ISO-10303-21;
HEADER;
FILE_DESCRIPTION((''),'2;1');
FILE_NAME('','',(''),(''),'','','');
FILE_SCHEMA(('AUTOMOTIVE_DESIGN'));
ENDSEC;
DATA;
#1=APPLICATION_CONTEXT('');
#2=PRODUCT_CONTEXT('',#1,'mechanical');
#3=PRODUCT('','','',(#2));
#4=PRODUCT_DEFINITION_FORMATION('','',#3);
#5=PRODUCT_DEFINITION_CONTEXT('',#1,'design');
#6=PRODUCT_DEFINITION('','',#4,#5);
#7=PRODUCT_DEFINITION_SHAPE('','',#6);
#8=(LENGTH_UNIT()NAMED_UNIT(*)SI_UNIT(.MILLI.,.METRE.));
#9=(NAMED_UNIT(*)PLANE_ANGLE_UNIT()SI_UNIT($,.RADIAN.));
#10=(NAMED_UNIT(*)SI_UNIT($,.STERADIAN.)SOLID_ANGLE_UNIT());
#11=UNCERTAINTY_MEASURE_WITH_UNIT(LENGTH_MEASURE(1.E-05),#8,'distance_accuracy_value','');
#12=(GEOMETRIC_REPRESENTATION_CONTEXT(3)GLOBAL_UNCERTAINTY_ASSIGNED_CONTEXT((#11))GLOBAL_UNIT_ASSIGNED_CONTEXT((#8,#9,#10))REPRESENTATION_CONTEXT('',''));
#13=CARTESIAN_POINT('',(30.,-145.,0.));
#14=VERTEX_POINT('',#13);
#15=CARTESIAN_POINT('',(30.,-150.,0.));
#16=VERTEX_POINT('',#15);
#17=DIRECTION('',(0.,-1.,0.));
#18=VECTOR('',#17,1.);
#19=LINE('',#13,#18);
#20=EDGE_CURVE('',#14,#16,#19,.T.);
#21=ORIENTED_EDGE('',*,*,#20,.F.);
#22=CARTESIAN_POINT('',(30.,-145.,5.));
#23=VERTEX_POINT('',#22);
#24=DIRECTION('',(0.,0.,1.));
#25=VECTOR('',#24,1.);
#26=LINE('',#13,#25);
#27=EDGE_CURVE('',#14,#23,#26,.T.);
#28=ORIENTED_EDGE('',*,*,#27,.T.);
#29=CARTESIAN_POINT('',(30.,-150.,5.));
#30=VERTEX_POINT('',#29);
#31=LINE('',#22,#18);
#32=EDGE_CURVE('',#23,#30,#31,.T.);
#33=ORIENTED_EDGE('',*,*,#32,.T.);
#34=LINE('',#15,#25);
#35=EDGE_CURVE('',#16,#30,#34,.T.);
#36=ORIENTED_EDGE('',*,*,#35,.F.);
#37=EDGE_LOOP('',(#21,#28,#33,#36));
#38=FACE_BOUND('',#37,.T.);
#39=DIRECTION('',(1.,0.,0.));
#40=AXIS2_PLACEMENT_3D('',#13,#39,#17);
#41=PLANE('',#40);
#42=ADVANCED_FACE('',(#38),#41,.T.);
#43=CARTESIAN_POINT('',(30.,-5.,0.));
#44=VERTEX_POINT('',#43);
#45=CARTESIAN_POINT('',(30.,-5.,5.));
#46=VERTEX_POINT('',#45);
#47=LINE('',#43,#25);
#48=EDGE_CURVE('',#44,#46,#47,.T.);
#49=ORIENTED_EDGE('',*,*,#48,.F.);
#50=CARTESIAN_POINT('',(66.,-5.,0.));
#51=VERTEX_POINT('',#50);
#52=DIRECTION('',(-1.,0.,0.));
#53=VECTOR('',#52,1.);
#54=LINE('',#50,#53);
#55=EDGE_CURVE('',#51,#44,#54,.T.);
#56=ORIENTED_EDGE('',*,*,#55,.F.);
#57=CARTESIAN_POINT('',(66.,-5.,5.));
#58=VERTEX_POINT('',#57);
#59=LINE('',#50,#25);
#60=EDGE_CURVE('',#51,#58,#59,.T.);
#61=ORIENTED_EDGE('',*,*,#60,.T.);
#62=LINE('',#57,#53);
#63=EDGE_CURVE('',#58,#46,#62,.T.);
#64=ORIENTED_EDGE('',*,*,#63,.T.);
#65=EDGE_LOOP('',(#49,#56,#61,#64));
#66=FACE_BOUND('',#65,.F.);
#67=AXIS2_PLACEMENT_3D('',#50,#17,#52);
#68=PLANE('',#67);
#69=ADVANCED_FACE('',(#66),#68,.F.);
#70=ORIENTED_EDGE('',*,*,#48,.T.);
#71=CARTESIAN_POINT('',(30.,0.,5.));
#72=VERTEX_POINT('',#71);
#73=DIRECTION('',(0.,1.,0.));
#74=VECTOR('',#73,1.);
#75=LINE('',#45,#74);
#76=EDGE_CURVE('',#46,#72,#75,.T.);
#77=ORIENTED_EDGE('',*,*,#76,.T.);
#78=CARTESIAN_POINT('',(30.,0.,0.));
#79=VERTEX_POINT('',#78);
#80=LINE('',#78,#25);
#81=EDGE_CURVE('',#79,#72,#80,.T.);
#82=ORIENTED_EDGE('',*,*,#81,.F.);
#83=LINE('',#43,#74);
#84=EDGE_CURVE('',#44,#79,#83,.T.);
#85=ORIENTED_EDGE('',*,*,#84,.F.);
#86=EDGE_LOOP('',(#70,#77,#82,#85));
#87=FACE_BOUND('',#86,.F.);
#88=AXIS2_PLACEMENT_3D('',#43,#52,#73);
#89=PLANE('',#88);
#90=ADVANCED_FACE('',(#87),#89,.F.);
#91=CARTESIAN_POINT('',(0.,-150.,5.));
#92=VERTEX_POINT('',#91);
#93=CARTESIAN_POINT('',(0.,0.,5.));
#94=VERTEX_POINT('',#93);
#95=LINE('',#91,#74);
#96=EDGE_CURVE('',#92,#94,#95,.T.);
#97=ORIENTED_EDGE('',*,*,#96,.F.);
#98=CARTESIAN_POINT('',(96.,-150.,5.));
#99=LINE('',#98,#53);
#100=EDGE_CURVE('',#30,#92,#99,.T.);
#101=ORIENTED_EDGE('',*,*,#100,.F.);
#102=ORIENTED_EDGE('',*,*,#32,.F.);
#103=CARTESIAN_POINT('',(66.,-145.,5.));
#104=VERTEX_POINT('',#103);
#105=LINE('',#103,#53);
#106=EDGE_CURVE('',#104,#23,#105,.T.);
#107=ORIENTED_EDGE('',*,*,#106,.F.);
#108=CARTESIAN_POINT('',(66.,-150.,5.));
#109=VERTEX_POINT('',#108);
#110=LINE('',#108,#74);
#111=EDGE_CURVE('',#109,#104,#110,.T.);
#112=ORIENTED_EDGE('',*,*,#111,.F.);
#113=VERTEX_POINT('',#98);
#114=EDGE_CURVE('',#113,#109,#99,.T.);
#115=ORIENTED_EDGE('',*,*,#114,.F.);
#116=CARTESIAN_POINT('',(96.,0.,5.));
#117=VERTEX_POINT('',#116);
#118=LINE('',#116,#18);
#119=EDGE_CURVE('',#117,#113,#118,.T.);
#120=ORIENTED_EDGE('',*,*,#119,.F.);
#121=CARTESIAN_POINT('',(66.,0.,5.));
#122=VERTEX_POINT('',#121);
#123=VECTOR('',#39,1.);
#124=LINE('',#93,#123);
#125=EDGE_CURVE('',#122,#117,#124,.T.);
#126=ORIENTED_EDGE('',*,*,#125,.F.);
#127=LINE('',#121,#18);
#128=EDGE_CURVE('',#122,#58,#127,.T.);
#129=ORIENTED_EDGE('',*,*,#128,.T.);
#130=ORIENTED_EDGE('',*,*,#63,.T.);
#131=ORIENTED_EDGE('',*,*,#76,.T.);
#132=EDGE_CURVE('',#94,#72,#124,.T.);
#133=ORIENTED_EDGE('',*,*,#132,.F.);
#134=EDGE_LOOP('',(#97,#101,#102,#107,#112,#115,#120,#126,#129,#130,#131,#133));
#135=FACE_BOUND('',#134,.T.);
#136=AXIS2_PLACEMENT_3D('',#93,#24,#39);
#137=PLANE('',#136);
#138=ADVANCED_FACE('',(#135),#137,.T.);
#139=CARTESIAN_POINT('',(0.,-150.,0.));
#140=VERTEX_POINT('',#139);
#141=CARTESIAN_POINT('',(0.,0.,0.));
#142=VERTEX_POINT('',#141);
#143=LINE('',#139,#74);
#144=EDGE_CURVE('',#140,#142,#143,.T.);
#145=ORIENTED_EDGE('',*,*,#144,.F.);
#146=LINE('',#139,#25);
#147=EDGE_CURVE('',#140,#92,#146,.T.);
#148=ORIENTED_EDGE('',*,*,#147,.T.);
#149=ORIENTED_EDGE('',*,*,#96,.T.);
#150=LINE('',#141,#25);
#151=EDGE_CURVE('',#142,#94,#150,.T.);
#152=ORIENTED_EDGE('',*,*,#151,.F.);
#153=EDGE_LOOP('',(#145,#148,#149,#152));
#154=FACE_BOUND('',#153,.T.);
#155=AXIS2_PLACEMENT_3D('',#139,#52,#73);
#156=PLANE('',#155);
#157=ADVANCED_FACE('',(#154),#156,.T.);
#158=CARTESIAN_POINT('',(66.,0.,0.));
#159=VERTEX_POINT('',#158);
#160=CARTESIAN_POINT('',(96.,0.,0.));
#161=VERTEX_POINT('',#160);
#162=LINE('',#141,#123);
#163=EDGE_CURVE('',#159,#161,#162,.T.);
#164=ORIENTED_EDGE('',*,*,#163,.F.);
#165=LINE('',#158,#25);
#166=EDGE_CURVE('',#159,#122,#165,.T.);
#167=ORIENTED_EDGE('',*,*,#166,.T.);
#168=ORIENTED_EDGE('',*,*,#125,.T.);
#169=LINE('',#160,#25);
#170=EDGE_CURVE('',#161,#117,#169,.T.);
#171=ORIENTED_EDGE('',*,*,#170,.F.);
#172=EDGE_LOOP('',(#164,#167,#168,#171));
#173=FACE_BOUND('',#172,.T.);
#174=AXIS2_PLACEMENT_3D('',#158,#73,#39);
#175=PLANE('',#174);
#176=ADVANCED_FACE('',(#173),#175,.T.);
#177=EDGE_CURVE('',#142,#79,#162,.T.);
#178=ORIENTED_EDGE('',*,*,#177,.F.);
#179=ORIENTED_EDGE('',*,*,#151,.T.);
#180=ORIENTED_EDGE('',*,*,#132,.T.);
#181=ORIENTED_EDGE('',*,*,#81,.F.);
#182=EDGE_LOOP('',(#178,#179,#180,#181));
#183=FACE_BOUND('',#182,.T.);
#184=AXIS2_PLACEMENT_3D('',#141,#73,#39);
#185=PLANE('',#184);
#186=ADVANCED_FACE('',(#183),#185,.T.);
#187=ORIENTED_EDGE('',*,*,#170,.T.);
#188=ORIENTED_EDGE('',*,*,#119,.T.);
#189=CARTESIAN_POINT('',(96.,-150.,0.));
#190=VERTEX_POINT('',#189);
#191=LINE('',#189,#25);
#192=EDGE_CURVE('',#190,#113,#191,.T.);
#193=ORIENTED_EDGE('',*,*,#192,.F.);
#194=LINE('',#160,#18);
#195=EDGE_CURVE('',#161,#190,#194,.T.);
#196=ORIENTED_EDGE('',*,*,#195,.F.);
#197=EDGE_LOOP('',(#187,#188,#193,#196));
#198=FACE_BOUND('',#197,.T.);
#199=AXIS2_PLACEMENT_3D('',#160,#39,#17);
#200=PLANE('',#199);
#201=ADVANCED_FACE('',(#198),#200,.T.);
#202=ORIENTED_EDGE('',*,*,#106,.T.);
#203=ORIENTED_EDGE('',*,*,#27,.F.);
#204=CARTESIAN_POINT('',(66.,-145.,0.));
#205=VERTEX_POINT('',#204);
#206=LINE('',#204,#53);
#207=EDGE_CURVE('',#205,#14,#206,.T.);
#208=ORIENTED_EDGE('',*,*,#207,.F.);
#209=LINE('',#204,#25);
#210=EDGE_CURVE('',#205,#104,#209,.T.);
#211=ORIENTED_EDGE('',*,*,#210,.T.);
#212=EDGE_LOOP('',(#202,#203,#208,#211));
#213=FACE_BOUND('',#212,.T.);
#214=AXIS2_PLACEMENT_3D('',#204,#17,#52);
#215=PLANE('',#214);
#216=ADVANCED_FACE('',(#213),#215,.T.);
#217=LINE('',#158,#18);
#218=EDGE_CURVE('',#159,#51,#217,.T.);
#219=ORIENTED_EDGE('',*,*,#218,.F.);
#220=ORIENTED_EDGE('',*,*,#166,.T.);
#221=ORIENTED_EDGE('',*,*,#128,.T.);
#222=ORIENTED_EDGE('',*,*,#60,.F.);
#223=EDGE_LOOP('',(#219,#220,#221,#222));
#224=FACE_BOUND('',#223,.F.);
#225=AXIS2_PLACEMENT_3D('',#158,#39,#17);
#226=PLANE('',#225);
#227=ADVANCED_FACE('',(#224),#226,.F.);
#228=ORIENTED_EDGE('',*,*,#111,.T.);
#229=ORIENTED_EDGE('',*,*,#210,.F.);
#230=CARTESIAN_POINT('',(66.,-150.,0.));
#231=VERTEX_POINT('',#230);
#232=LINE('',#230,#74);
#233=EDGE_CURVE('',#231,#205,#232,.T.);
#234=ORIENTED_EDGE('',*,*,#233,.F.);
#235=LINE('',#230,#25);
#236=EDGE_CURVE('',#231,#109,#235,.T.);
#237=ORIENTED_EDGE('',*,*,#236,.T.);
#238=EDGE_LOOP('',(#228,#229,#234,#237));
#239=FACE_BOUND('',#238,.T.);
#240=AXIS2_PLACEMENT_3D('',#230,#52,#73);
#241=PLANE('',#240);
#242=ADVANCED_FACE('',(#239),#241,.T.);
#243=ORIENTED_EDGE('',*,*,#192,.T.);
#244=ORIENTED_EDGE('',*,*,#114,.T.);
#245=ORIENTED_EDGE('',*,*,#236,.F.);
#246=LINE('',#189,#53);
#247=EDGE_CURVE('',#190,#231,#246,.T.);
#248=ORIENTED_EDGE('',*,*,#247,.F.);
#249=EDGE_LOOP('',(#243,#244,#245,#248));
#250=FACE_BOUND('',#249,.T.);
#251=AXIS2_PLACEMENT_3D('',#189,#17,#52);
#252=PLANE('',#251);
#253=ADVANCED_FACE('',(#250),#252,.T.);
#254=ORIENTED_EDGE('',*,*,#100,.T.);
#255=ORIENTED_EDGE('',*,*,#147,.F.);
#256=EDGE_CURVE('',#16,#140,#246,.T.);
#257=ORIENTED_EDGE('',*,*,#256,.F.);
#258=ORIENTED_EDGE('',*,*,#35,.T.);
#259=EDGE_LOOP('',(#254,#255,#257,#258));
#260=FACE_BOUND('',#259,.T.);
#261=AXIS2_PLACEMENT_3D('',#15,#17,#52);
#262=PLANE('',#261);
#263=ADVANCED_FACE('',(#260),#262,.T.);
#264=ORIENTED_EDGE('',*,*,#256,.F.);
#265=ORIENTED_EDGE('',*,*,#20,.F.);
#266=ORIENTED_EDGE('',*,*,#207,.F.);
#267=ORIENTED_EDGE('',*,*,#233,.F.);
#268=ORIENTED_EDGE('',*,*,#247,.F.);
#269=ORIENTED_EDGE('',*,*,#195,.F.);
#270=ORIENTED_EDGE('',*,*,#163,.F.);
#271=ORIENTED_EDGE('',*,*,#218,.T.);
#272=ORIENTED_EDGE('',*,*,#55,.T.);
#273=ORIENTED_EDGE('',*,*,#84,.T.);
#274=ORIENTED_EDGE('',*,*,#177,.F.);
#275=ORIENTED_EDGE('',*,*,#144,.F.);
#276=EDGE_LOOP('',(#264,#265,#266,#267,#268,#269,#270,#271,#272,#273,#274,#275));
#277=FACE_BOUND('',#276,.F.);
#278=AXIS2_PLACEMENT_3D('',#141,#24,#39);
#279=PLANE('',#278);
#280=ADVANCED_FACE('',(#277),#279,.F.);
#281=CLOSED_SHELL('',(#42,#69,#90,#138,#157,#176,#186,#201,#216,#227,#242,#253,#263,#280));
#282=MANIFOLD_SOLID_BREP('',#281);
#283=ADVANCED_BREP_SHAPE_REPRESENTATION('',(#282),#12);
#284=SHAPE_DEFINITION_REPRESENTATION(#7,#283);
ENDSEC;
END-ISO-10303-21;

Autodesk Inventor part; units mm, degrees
ref_plane "YZ Plane" through (0, 0, 0) normal (1, 0, 0) x (0, 1, 0)
ref_plane "XZ Plane" through (0, 0, 0) normal (0, 1, 0) x (-1, 0, 0)
ref_plane "XY Plane" through (0, 0, 0) normal (0, 0, 1) x (1, 0, 0)
sketch "Sketch1" plane through (0, 0, 0) normal (0, 0, 1) x (1, 0, 0)
  line L0 (0, 2.8582) -> (0, -2.8582) construction
  line L1 (-5.7775, 0) -> (5.7775, 0) construction
  line L2 (0, 0) -> (96, 0)
  line L3 (96, 0) -> (96, -150)
  line L4 (96, -150) -> (0, -150)
  line L5 (0, -150) -> (0, 0)
  line L6 (0, 0) -> (30, 0)
  line L7 (30, 0) -> (66, 0)
  line L8 (0, -150) -> (30, -150)
  line L9 (30, 0) -> (66, 0)
  line L10 (66, 0) -> (66, -5)
  line L11 (66, -5) -> (30, -5)
  line L12 (30, -5) -> (30, 0)
  line L13 (30, -150) -> (66, -150)
  line L14 (66, -150) -> (66, -145)
  line L15 (66, -145) -> (30, -145)
  line L16 (30, -145) -> (30, -150)
  point P0 (66, 0)
  dimension "d1" = 96
  dimension "d2" = 150
  dimension "d3" = 30
  dimension "d5" = 30
  dimension "d7" = 36
  dimension "d8" = 5
  dimension "d9" = 36
  dimension "d10" = 5
  dimension "d13" = 30
extrude "Extrusion1" add sketch "Sketch1" along normal blind 5 contours L2 L12 L11 L10 L3 L4 L14 L15 L16 L5
properties part number "schuine plaat" material "S235"
